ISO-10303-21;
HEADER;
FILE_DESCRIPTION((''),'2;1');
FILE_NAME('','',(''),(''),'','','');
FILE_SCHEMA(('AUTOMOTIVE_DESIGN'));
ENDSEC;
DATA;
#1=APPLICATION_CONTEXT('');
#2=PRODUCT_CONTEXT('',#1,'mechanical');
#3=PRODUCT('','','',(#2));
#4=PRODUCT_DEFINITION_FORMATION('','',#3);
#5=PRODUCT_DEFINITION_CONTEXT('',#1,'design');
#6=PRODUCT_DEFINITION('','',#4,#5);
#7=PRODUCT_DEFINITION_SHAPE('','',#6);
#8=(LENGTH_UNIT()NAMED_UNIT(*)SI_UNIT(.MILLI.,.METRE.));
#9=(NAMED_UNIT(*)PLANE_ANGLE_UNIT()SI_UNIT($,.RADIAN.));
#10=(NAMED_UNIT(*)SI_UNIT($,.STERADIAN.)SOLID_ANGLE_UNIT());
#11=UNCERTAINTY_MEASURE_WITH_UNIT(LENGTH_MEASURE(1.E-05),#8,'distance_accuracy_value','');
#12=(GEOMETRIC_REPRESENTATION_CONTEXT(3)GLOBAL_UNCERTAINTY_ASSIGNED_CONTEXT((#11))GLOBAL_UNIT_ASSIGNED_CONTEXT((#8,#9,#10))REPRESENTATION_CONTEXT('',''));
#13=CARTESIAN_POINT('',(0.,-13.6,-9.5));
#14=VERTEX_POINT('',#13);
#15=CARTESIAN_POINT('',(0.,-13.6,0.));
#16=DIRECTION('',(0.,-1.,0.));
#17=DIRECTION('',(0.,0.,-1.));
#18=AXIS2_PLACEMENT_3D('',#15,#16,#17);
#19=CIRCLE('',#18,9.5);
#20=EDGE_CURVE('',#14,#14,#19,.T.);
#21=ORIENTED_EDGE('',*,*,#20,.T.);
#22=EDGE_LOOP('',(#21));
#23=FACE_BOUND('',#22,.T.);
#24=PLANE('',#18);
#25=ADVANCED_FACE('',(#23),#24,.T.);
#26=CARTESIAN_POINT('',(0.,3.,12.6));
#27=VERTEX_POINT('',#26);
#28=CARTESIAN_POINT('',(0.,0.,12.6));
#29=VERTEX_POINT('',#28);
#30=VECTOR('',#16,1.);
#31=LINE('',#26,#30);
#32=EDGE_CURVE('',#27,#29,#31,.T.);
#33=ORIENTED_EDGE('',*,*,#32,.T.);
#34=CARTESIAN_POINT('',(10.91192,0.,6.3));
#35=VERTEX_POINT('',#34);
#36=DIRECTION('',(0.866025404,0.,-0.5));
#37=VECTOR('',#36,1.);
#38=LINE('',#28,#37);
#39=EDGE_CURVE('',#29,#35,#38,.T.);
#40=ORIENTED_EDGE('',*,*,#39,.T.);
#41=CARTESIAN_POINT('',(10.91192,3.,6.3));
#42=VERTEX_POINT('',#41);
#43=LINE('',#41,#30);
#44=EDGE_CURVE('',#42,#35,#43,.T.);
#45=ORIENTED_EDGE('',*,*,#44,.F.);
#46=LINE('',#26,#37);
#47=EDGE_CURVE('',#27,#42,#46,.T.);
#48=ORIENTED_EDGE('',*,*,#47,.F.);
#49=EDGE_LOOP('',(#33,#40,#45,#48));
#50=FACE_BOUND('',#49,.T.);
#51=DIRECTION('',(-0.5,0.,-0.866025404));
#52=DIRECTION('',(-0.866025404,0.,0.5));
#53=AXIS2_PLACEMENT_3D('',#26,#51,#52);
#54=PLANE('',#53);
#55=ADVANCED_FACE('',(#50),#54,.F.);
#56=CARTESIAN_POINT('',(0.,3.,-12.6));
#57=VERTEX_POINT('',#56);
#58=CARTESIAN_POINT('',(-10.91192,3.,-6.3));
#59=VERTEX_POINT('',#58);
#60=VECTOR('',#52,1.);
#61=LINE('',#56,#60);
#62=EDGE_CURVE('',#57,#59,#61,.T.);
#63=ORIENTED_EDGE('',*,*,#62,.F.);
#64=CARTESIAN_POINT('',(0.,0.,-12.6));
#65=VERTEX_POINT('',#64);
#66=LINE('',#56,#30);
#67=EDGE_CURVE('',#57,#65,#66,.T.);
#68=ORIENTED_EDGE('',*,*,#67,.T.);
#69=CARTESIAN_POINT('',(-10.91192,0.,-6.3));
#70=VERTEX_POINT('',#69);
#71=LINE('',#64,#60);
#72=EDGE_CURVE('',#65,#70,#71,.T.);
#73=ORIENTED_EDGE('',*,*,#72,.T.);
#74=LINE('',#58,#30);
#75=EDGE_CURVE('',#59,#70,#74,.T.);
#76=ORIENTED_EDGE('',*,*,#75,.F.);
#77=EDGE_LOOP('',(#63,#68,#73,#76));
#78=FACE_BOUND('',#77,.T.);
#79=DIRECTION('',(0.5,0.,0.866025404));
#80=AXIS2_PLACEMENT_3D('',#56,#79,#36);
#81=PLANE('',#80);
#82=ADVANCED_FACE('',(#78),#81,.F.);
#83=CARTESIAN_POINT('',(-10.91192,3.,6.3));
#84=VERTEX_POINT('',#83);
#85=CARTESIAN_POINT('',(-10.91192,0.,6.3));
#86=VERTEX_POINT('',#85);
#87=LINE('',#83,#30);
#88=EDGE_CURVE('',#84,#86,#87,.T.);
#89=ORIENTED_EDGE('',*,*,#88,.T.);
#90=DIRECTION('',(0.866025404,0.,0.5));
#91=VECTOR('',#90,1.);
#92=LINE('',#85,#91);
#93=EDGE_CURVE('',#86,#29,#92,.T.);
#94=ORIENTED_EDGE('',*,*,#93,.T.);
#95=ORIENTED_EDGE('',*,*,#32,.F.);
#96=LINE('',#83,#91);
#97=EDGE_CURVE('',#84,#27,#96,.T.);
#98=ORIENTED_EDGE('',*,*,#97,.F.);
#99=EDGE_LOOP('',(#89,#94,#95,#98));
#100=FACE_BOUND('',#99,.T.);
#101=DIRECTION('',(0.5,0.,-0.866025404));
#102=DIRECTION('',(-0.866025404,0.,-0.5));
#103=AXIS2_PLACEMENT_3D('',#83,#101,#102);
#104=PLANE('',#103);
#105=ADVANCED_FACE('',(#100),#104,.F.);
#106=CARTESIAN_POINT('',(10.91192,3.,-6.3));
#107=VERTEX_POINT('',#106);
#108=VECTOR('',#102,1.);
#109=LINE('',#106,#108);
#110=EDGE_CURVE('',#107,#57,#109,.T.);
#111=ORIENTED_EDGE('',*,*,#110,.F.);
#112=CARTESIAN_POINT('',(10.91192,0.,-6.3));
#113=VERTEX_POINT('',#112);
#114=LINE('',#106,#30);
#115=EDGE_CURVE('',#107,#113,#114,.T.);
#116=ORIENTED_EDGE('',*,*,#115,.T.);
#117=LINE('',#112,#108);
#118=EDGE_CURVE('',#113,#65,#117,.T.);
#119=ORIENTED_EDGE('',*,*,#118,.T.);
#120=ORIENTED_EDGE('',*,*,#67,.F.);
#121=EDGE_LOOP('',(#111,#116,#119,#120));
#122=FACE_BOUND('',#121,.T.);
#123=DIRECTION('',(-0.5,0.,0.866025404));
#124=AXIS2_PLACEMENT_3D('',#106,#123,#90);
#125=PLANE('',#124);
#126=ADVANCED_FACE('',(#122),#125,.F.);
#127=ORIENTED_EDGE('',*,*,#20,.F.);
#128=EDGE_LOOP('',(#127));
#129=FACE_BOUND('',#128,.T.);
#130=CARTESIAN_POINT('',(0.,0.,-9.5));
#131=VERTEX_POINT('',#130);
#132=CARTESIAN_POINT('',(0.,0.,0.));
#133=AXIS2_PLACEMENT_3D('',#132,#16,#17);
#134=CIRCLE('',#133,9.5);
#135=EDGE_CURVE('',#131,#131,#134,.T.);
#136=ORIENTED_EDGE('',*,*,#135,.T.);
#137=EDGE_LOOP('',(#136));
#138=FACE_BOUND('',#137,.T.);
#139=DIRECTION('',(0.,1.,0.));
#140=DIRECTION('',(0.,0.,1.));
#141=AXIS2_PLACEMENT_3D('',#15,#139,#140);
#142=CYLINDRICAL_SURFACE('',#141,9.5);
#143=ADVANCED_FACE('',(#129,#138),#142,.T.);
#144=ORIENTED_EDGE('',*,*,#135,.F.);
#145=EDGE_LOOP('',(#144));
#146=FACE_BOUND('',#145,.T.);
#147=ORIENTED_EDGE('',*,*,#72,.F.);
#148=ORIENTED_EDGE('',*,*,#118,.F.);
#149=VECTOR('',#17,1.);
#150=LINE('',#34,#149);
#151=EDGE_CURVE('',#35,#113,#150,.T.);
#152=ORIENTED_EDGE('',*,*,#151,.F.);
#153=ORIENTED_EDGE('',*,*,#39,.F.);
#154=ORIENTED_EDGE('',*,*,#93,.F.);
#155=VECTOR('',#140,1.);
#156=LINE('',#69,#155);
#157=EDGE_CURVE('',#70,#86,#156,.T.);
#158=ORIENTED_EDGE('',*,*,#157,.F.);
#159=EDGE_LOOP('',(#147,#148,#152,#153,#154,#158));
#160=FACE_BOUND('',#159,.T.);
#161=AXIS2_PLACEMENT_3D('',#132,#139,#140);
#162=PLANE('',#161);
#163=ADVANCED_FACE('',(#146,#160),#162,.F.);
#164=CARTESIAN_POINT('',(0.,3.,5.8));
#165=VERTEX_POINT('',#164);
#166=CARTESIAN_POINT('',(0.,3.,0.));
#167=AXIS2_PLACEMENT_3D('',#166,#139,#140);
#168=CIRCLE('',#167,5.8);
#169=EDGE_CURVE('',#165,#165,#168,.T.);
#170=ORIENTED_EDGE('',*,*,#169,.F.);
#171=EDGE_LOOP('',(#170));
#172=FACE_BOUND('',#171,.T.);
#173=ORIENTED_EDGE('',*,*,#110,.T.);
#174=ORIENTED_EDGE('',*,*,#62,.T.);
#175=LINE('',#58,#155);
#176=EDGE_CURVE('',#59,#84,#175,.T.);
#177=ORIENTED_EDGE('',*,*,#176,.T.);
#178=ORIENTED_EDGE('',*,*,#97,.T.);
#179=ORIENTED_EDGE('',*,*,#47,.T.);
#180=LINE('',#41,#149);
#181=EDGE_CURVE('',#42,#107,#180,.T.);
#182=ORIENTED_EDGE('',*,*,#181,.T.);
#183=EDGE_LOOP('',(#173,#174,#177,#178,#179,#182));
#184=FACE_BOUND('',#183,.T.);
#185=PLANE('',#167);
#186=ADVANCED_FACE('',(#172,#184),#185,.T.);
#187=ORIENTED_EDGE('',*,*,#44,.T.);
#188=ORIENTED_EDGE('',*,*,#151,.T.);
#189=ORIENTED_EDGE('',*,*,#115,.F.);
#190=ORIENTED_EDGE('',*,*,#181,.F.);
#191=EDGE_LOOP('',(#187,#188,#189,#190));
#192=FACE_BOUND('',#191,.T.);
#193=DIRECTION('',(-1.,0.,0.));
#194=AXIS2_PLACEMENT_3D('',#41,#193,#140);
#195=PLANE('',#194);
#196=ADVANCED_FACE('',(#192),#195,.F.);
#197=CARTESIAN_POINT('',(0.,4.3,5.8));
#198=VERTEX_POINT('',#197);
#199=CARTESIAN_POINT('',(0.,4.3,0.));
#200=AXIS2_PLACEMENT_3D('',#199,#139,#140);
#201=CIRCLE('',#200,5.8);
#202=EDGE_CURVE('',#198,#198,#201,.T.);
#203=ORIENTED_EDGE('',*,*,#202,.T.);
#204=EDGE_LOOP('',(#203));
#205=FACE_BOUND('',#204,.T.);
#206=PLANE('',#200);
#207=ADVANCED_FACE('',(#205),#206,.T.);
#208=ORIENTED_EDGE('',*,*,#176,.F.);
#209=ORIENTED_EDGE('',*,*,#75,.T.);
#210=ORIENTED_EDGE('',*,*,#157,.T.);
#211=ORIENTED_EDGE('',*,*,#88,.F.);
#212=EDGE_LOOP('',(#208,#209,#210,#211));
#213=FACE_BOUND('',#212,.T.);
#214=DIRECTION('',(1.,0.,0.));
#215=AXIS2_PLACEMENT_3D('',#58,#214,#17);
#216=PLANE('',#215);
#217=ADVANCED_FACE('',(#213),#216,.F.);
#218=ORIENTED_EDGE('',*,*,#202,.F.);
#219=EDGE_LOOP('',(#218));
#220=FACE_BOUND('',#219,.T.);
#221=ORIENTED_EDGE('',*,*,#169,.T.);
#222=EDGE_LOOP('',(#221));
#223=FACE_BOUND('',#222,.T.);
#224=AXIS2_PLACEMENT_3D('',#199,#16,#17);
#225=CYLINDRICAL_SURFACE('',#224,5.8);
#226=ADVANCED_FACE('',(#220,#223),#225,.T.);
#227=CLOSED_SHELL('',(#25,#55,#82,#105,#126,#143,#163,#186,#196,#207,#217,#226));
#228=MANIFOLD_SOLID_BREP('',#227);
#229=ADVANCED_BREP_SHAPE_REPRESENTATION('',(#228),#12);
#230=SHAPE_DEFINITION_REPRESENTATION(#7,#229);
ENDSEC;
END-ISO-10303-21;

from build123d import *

# Parameters (mm, degrees)
EXTRUDE_1_DEPTH = 3
SKETCH_2_R      = 9.5
EXTRUDE_2_DEPTH = 13.6
SKETCH_3_R      = 5.8
EXTRUDE_3_DEPTH = 1.3


with BuildPart() as part:
    # 草图1 → 凸台-拉伸1 (new body)
    with BuildSketch(Plane(origin=(0, 0, 0), x_dir=(1, 0, 0), z_dir=(0, 1, 0))):
        Polygon((0, 12.6), (-10.911920088, 6.3), (-10.911920088, -6.3), (0, -12.6), (10.911920088, -6.3), (10.911920088, 6.3), align=None)
    extrude(amount=EXTRUDE_1_DEPTH)

    # 草图2 → 凸台-拉伸2 (add)
    with BuildSketch(Plane.XZ):
        with Locations(Location((0, 0, 0), (0, 0, 270))):
            Circle(SKETCH_2_R)
    extrude(amount=EXTRUDE_2_DEPTH)

    # 草图3 → 凸台-拉伸3 (add)
    with BuildSketch(Plane(origin=(0, 3, 0), x_dir=(1, 0, 0), z_dir=(0, 1, 0))):
        with Locations(Location((0, 0, 0), (0, 0, 270))):
            Circle(SKETCH_3_R)
    extrude(amount=EXTRUDE_3_DEPTH)


solid = part.part
